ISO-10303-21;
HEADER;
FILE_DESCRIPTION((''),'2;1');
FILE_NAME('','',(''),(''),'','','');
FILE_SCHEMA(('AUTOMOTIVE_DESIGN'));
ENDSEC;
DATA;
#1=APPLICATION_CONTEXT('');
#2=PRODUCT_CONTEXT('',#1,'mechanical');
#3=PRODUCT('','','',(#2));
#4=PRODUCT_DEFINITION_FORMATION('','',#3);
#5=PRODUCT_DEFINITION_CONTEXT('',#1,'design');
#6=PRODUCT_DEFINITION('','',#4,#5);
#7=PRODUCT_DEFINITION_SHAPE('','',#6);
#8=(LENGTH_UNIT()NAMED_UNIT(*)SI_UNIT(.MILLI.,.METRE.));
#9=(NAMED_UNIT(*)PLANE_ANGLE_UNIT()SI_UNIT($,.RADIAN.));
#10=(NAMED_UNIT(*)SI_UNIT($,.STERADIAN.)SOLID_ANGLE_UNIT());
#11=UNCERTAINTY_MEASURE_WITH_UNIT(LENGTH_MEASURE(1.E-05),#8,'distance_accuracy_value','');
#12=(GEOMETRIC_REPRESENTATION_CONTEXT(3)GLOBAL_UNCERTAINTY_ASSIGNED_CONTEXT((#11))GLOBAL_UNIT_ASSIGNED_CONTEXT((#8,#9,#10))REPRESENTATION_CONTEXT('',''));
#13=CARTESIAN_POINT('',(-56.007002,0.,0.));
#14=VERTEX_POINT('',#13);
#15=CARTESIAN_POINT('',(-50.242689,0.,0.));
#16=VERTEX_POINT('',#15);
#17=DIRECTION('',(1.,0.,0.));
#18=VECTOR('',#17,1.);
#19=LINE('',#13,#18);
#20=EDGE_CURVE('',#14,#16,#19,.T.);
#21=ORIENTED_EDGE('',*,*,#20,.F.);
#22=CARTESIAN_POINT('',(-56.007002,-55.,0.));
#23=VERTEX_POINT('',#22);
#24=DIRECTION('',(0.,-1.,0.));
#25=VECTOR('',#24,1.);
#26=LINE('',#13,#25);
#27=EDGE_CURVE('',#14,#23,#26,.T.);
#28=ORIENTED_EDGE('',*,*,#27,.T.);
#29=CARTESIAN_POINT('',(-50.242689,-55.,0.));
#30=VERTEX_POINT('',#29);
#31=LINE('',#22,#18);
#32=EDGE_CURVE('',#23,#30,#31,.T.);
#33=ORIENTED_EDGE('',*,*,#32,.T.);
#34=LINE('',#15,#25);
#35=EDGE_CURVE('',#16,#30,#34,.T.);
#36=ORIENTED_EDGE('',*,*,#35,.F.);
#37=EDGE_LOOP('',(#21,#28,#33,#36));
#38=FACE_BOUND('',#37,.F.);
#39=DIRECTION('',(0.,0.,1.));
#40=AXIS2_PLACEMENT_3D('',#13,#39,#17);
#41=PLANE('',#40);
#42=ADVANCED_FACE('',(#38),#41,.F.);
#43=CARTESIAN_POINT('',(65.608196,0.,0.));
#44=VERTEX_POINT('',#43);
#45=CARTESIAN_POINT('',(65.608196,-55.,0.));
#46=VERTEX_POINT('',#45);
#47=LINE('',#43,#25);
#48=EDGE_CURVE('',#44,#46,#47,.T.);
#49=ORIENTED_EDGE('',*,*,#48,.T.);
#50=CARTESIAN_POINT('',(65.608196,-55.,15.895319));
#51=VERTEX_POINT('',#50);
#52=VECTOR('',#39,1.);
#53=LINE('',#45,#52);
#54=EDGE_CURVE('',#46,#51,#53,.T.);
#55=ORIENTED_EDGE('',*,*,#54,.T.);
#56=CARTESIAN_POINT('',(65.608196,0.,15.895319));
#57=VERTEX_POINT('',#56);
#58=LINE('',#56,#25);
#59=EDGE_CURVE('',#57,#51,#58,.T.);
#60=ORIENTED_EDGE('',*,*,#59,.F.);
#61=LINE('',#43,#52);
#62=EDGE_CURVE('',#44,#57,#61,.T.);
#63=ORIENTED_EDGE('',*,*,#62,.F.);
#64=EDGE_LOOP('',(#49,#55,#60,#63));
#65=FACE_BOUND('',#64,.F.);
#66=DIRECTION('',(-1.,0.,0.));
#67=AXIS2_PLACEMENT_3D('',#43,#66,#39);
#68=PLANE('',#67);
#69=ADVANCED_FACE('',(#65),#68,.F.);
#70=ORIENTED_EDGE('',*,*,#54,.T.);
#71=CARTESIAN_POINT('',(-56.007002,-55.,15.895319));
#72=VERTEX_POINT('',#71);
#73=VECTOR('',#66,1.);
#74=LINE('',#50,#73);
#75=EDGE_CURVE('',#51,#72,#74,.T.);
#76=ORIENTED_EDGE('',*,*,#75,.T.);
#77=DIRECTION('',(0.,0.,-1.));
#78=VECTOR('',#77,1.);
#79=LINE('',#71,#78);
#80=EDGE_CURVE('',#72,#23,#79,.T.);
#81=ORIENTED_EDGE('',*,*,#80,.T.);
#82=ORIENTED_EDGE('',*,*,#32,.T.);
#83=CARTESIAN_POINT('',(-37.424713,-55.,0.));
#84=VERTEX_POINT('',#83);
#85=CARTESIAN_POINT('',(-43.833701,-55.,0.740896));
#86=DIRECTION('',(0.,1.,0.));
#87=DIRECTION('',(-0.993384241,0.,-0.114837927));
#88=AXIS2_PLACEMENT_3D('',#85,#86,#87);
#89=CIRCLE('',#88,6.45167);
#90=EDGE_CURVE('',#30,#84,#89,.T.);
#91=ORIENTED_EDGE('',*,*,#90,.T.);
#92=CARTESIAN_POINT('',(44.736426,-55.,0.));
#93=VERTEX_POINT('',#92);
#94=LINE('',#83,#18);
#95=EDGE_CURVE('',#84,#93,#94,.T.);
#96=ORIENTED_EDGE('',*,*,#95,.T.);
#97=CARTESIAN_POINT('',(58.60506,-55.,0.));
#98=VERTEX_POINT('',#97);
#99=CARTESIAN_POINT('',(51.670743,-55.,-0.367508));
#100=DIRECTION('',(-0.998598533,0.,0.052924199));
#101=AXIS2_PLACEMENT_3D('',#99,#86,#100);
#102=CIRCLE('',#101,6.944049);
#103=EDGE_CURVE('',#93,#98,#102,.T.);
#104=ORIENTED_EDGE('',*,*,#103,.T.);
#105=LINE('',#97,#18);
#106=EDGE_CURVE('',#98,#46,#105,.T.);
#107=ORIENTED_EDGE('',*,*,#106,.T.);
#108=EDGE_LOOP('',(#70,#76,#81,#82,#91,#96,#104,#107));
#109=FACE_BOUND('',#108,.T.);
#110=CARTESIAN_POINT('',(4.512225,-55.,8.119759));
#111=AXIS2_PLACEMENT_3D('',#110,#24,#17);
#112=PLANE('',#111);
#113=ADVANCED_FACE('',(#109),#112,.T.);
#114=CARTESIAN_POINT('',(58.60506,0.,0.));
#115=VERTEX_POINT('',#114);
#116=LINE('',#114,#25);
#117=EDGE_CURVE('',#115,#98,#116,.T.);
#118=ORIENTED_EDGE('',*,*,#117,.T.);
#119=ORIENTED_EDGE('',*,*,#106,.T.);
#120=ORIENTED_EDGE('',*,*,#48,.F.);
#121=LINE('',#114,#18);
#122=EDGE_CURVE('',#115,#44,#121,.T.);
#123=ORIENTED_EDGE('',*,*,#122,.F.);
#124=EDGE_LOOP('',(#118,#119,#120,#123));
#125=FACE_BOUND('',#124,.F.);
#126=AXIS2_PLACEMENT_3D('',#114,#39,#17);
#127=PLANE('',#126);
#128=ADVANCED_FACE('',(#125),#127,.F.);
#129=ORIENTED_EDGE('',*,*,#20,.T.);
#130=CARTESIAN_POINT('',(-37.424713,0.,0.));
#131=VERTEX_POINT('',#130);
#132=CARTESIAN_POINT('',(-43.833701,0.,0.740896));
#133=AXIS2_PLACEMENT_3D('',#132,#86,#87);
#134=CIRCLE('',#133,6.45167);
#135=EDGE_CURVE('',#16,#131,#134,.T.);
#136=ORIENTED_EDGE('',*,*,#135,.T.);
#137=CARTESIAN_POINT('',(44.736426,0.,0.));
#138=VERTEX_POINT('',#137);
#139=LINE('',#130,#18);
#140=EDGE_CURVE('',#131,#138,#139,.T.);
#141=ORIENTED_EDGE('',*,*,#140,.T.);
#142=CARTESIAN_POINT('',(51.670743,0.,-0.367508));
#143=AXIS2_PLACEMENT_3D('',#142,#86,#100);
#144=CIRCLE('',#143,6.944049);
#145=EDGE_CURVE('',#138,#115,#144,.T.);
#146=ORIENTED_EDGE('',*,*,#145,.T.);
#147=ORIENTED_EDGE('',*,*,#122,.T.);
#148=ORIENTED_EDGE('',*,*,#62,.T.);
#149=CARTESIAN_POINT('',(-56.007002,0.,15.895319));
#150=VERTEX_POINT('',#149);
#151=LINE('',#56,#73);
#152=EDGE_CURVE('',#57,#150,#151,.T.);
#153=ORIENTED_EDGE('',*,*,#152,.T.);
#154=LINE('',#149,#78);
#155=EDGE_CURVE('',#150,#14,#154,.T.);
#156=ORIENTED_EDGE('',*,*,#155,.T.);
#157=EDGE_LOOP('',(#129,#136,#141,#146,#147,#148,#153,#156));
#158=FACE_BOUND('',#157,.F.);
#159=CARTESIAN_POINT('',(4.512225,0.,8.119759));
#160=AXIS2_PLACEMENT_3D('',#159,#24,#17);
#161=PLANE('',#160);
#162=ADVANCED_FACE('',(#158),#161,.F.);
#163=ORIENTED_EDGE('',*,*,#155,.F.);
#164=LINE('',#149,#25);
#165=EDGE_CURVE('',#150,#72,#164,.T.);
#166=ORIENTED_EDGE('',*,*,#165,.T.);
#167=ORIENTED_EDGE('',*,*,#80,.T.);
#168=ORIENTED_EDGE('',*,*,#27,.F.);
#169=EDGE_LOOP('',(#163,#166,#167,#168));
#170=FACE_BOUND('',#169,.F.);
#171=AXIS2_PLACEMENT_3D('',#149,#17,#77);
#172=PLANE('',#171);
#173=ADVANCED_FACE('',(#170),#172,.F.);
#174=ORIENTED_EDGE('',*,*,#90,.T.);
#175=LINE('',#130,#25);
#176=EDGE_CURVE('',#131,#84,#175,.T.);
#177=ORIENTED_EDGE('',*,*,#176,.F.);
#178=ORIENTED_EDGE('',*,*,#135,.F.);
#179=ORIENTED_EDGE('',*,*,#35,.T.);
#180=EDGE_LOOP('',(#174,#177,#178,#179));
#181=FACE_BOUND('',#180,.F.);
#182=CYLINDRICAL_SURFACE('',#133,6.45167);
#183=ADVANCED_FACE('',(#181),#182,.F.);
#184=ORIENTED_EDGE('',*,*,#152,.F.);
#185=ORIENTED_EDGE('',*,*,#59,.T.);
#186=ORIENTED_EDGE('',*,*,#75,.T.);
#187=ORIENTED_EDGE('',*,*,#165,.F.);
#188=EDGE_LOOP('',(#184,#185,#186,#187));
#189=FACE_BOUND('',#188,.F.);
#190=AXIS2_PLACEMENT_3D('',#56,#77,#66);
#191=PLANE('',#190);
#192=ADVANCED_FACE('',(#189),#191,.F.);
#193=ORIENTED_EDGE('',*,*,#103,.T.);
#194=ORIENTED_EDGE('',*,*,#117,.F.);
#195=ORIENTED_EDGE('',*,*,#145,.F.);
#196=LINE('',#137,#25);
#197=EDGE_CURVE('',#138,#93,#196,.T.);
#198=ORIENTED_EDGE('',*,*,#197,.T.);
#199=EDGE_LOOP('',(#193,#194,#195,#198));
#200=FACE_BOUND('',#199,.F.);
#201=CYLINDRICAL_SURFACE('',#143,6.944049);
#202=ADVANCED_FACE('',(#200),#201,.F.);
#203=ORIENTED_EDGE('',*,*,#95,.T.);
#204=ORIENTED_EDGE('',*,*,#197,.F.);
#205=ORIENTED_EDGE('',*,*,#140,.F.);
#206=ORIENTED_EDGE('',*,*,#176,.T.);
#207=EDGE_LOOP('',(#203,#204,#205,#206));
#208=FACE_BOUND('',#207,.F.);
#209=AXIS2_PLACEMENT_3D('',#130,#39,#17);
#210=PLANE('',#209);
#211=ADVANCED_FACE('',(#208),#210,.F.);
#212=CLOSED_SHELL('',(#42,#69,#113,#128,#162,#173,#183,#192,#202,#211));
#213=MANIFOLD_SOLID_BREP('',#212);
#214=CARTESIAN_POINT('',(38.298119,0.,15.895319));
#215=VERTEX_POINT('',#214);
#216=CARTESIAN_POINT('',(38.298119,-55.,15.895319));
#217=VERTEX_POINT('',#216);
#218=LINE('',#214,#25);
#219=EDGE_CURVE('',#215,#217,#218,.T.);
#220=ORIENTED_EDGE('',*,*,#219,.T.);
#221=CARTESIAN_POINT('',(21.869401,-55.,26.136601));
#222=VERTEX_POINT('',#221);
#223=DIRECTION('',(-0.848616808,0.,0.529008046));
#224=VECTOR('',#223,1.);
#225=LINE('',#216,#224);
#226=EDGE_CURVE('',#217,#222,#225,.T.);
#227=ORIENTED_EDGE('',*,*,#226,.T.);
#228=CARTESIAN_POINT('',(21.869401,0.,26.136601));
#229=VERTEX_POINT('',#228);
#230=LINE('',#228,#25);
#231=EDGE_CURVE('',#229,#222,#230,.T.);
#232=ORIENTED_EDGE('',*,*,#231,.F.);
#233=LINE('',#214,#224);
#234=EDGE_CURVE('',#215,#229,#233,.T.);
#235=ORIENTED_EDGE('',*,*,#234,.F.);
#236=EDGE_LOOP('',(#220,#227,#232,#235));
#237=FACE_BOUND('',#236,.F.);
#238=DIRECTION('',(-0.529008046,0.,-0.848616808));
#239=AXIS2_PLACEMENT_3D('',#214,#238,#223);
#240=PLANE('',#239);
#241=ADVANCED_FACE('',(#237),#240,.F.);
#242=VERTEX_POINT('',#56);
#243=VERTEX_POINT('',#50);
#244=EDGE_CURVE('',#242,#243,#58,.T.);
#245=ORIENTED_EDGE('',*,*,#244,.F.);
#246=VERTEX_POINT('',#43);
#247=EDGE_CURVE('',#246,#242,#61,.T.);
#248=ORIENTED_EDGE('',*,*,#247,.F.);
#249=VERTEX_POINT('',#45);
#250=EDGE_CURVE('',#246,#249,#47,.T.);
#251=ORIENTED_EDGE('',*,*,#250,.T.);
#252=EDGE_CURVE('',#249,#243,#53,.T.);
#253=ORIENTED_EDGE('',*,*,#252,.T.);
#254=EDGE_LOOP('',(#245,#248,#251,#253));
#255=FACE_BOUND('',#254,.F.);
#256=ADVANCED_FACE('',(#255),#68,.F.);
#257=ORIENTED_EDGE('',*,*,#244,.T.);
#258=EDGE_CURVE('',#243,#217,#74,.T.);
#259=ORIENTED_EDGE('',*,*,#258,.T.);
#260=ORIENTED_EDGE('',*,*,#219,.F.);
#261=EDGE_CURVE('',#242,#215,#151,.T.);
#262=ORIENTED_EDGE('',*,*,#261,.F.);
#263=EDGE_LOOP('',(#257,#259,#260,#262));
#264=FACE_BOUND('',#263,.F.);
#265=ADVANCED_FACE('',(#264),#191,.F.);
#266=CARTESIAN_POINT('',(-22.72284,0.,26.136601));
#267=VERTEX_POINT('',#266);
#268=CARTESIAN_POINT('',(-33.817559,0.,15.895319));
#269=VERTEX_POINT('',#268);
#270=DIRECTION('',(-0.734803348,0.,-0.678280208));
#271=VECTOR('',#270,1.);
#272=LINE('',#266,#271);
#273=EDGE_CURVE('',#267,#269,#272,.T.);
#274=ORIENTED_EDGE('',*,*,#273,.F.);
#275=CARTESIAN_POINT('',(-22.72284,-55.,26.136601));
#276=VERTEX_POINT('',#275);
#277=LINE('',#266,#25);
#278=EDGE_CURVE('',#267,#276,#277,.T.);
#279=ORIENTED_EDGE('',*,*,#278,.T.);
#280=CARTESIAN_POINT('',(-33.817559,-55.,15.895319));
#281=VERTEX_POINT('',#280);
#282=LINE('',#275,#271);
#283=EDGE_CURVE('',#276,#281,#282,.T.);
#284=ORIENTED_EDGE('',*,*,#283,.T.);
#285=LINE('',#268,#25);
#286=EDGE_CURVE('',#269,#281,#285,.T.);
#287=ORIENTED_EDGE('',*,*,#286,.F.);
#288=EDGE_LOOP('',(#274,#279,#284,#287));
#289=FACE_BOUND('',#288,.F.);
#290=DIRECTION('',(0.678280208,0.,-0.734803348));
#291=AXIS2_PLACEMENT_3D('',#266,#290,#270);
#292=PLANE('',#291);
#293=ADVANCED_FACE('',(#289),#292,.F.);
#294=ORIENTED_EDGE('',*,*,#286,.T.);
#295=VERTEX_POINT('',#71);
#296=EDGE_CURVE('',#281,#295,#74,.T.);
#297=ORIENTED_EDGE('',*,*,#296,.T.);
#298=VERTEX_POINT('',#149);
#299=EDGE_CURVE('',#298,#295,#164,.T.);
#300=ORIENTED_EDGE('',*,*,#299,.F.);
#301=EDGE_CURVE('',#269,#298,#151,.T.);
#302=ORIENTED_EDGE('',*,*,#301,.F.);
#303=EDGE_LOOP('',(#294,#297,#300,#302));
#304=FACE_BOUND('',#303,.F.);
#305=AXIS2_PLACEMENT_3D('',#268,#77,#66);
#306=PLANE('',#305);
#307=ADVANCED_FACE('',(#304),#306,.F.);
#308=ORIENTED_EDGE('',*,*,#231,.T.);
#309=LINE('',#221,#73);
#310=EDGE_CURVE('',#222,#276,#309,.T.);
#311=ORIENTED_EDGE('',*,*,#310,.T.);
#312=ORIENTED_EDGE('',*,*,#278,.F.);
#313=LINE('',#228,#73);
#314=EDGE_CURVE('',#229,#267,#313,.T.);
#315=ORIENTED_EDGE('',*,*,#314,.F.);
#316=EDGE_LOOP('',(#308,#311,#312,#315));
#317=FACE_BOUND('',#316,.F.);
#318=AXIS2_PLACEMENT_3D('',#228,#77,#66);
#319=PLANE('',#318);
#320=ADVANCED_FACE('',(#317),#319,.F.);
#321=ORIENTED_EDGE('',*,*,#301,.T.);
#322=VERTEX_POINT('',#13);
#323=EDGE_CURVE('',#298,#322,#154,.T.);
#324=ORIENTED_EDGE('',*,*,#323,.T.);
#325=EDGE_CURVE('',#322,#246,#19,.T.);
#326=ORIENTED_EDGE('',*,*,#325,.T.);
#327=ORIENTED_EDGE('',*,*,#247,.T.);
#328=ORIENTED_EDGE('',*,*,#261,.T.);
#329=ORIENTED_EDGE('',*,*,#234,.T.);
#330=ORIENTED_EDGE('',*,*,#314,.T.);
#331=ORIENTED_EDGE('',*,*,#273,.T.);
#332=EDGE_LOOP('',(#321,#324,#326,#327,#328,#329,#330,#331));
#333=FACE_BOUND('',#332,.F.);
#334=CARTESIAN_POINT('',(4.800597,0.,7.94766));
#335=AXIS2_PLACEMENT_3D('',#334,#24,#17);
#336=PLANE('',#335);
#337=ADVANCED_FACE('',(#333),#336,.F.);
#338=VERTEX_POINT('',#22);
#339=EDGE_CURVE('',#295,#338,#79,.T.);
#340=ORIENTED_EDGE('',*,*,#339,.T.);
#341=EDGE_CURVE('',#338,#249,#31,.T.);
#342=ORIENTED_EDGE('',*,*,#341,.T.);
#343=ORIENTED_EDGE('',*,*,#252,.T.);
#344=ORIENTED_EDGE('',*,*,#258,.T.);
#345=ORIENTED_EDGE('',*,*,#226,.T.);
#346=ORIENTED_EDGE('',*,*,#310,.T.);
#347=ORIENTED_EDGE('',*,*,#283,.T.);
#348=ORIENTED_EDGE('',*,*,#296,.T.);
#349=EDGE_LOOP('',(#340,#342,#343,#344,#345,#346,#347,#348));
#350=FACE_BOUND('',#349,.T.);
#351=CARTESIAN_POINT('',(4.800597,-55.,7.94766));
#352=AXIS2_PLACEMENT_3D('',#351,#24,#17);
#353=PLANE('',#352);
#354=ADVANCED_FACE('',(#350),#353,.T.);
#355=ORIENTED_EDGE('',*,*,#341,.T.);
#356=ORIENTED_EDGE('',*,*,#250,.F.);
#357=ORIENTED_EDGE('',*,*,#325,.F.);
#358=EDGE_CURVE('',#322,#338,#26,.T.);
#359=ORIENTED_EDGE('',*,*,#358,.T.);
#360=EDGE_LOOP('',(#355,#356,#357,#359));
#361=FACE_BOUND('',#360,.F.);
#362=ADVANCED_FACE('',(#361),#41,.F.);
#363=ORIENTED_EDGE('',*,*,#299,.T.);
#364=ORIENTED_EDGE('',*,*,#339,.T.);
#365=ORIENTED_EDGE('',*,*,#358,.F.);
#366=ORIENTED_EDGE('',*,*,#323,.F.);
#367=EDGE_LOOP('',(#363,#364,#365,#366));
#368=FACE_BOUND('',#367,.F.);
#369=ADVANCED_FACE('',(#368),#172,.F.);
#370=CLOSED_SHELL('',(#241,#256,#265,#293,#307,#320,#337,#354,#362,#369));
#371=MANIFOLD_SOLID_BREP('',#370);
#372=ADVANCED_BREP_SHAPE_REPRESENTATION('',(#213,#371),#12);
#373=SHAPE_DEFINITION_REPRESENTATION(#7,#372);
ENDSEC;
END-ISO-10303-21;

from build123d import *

# Parameters (mm, degrees)
F2_DEPTH = 55


with BuildPart() as f2:
    # F1 (on face) → F2 (new body)
    with BuildSketch(Plane.XZ):
        with BuildLine():
            ThreePointArc((44.7364263237, 0), (51.6707431525, 6.576540475), (58.6050599813, 0))
            Line((58.6050599813, 0), (65.6081959605, 0))
            Line((65.6081959605, 0), (65.6081959605, 15.8953191712))
            Line((65.6081959605, 15.8953191712), (38.2981188595, 15.8953191712))
            Line((38.2981188595, 15.8953191712), (33.3908423781, 15.8953191712))
            Line((33.3908423781, 15.8953191712), (-29.3370001018, 15.8953191712))
            Line((-29.3370001018, 15.8953191712), (-33.8175594807, 15.8953191712))
            Line((-33.8175594807, 15.8953191712), (-56.007001549, 15.8953191712))
            Line((-56.007001549, 15.8953191712), (-56.007001549, 0))
            Line((-56.007001549, 0), (-50.2426885068, 0))
            ThreePointArc((-50.2426885068, 0), (-43.83370094, 7.1925667007), (-37.4247133732, 0))
            Line((-37.4247133732, 0), (44.7364263237, 0))
        make_face()
    extrude(amount=F2_DEPTH)


with BuildPart() as f2b:
    # F0 (on Front) → F2, piece 2 (new body)
    with BuildSketch(Plane.XZ):
        Polygon((-56.007001549, 15.8953191712), (-56.007001549, 0), (65.6081959605, 0), (65.6081959605, 15.8953191712), (38.2981188595, 15.8953191712), (33.3908423781, 15.8953191712), (-29.3370001018, 15.8953191712), (-33.8175594807, 15.8953191712), align=None)
        Polygon((-22.7228403091, 26.1366013438), (-33.8175594807, 15.8953191712), (-29.3370001018, 15.8953191712), (33.3908423781, 15.8953191712), (38.2981188595, 15.8953191712), (21.8694005162, 26.1366013438), align=None)
    extrude(amount=F2_DEPTH)


solid = Compound([f2.part, f2b.part])
